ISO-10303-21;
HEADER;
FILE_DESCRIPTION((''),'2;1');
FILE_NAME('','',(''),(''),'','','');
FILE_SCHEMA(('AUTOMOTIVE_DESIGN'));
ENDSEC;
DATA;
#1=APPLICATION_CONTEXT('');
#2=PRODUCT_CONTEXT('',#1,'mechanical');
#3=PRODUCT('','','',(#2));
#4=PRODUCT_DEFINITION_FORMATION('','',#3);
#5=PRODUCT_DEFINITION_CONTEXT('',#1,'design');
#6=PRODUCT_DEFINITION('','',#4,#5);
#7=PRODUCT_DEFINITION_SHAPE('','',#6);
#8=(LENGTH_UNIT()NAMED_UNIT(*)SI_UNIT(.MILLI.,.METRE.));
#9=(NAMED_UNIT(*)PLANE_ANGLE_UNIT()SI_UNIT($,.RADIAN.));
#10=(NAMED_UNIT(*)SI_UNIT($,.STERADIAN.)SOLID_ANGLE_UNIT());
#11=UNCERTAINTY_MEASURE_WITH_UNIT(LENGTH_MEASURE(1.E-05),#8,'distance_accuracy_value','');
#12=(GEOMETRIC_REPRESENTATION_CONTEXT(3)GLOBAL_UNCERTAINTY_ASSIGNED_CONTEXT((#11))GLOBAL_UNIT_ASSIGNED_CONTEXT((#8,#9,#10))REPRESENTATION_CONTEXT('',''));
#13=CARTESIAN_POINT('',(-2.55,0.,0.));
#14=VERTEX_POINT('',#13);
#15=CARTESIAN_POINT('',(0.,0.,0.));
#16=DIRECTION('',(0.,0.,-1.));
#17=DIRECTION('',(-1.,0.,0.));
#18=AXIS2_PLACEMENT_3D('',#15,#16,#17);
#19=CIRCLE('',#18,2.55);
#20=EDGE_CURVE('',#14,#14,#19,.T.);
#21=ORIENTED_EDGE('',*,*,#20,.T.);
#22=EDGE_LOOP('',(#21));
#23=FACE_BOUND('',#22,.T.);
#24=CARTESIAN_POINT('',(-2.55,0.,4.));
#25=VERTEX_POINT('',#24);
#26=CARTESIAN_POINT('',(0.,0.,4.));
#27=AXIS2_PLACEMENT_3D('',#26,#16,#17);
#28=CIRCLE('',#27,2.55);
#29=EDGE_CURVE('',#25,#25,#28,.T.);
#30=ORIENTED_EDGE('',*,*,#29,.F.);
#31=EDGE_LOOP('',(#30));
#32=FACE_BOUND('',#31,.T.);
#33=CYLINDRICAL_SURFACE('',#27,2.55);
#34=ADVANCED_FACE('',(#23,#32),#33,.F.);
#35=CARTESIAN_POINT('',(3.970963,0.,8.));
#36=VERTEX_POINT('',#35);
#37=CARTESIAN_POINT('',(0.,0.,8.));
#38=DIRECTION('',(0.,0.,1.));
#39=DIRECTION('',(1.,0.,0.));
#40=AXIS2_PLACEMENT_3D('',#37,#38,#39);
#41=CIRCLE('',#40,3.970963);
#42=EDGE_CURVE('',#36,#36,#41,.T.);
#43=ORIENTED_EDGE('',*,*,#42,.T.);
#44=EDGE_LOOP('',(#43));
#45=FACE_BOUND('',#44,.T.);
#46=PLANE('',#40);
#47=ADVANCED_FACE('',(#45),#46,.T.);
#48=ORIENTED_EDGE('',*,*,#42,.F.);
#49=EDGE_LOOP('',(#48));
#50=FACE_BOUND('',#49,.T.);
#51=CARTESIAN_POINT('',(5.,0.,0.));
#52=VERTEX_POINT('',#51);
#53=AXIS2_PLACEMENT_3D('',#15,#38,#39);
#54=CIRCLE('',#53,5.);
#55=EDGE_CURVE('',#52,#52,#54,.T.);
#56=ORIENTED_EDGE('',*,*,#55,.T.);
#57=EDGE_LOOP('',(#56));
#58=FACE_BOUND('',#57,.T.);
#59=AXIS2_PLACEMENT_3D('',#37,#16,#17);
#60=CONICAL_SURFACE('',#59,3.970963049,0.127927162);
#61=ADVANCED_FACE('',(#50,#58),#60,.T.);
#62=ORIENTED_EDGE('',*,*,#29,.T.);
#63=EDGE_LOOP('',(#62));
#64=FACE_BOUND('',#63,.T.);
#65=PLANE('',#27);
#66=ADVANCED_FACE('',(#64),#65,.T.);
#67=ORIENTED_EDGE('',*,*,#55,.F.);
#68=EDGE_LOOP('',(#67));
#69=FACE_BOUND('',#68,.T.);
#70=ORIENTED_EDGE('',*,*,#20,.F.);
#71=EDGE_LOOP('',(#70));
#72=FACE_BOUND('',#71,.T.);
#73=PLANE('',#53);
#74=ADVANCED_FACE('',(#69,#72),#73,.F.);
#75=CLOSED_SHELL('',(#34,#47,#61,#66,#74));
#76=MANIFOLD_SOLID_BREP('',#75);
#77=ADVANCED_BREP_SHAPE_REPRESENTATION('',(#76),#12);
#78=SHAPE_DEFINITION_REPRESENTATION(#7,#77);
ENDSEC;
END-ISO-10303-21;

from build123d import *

# Parameters (mm, degrees)
CROQUIS1_R              = 5
SALIENTE_EXTRUIR1_DEPTH = 8
CROQUIS4_R              = 2.55
CORTAR_EXTRUIR1_DEPTH   = 4


with BuildPart() as part:
    # Croquis1 → Saliente-Extruir1 (new body)
    with BuildSketch(Plane.XY):
        Circle(CROQUIS1_R)
    extrude(amount=SALIENTE_EXTRUIR1_DEPTH)

    # Croquis3 → Cortar-Revolución2 (revolve, cut)
    with BuildSketch(Plane(origin=(0, 0, 0), x_dir=(0, 0, -1), z_dir=(1, 0, 0)), mode=Mode.PRIVATE) as cortar_revoluci_n2_sk:
        Polygon((-8, 3.970963049), (0, 5), (-8, 5), align=None)
    revolve(cortar_revoluci_n2_sk.sketch.rotate(Axis((0, 0, 8), (0, 0, -1)), 90), axis=Axis((0, 0, 8), (0, 0, -1)), mode=Mode.SUBTRACT)

    # Croquis4 → Cortar-Extruir1 (cut)
    with BuildSketch(Plane(origin=(0, 0, 0), x_dir=(-1, 0, 0), z_dir=(0, 0, -1))):
        Circle(CROQUIS4_R)
    extrude(amount=-CORTAR_EXTRUIR1_DEPTH, mode=Mode.SUBTRACT)


solid = part.part
